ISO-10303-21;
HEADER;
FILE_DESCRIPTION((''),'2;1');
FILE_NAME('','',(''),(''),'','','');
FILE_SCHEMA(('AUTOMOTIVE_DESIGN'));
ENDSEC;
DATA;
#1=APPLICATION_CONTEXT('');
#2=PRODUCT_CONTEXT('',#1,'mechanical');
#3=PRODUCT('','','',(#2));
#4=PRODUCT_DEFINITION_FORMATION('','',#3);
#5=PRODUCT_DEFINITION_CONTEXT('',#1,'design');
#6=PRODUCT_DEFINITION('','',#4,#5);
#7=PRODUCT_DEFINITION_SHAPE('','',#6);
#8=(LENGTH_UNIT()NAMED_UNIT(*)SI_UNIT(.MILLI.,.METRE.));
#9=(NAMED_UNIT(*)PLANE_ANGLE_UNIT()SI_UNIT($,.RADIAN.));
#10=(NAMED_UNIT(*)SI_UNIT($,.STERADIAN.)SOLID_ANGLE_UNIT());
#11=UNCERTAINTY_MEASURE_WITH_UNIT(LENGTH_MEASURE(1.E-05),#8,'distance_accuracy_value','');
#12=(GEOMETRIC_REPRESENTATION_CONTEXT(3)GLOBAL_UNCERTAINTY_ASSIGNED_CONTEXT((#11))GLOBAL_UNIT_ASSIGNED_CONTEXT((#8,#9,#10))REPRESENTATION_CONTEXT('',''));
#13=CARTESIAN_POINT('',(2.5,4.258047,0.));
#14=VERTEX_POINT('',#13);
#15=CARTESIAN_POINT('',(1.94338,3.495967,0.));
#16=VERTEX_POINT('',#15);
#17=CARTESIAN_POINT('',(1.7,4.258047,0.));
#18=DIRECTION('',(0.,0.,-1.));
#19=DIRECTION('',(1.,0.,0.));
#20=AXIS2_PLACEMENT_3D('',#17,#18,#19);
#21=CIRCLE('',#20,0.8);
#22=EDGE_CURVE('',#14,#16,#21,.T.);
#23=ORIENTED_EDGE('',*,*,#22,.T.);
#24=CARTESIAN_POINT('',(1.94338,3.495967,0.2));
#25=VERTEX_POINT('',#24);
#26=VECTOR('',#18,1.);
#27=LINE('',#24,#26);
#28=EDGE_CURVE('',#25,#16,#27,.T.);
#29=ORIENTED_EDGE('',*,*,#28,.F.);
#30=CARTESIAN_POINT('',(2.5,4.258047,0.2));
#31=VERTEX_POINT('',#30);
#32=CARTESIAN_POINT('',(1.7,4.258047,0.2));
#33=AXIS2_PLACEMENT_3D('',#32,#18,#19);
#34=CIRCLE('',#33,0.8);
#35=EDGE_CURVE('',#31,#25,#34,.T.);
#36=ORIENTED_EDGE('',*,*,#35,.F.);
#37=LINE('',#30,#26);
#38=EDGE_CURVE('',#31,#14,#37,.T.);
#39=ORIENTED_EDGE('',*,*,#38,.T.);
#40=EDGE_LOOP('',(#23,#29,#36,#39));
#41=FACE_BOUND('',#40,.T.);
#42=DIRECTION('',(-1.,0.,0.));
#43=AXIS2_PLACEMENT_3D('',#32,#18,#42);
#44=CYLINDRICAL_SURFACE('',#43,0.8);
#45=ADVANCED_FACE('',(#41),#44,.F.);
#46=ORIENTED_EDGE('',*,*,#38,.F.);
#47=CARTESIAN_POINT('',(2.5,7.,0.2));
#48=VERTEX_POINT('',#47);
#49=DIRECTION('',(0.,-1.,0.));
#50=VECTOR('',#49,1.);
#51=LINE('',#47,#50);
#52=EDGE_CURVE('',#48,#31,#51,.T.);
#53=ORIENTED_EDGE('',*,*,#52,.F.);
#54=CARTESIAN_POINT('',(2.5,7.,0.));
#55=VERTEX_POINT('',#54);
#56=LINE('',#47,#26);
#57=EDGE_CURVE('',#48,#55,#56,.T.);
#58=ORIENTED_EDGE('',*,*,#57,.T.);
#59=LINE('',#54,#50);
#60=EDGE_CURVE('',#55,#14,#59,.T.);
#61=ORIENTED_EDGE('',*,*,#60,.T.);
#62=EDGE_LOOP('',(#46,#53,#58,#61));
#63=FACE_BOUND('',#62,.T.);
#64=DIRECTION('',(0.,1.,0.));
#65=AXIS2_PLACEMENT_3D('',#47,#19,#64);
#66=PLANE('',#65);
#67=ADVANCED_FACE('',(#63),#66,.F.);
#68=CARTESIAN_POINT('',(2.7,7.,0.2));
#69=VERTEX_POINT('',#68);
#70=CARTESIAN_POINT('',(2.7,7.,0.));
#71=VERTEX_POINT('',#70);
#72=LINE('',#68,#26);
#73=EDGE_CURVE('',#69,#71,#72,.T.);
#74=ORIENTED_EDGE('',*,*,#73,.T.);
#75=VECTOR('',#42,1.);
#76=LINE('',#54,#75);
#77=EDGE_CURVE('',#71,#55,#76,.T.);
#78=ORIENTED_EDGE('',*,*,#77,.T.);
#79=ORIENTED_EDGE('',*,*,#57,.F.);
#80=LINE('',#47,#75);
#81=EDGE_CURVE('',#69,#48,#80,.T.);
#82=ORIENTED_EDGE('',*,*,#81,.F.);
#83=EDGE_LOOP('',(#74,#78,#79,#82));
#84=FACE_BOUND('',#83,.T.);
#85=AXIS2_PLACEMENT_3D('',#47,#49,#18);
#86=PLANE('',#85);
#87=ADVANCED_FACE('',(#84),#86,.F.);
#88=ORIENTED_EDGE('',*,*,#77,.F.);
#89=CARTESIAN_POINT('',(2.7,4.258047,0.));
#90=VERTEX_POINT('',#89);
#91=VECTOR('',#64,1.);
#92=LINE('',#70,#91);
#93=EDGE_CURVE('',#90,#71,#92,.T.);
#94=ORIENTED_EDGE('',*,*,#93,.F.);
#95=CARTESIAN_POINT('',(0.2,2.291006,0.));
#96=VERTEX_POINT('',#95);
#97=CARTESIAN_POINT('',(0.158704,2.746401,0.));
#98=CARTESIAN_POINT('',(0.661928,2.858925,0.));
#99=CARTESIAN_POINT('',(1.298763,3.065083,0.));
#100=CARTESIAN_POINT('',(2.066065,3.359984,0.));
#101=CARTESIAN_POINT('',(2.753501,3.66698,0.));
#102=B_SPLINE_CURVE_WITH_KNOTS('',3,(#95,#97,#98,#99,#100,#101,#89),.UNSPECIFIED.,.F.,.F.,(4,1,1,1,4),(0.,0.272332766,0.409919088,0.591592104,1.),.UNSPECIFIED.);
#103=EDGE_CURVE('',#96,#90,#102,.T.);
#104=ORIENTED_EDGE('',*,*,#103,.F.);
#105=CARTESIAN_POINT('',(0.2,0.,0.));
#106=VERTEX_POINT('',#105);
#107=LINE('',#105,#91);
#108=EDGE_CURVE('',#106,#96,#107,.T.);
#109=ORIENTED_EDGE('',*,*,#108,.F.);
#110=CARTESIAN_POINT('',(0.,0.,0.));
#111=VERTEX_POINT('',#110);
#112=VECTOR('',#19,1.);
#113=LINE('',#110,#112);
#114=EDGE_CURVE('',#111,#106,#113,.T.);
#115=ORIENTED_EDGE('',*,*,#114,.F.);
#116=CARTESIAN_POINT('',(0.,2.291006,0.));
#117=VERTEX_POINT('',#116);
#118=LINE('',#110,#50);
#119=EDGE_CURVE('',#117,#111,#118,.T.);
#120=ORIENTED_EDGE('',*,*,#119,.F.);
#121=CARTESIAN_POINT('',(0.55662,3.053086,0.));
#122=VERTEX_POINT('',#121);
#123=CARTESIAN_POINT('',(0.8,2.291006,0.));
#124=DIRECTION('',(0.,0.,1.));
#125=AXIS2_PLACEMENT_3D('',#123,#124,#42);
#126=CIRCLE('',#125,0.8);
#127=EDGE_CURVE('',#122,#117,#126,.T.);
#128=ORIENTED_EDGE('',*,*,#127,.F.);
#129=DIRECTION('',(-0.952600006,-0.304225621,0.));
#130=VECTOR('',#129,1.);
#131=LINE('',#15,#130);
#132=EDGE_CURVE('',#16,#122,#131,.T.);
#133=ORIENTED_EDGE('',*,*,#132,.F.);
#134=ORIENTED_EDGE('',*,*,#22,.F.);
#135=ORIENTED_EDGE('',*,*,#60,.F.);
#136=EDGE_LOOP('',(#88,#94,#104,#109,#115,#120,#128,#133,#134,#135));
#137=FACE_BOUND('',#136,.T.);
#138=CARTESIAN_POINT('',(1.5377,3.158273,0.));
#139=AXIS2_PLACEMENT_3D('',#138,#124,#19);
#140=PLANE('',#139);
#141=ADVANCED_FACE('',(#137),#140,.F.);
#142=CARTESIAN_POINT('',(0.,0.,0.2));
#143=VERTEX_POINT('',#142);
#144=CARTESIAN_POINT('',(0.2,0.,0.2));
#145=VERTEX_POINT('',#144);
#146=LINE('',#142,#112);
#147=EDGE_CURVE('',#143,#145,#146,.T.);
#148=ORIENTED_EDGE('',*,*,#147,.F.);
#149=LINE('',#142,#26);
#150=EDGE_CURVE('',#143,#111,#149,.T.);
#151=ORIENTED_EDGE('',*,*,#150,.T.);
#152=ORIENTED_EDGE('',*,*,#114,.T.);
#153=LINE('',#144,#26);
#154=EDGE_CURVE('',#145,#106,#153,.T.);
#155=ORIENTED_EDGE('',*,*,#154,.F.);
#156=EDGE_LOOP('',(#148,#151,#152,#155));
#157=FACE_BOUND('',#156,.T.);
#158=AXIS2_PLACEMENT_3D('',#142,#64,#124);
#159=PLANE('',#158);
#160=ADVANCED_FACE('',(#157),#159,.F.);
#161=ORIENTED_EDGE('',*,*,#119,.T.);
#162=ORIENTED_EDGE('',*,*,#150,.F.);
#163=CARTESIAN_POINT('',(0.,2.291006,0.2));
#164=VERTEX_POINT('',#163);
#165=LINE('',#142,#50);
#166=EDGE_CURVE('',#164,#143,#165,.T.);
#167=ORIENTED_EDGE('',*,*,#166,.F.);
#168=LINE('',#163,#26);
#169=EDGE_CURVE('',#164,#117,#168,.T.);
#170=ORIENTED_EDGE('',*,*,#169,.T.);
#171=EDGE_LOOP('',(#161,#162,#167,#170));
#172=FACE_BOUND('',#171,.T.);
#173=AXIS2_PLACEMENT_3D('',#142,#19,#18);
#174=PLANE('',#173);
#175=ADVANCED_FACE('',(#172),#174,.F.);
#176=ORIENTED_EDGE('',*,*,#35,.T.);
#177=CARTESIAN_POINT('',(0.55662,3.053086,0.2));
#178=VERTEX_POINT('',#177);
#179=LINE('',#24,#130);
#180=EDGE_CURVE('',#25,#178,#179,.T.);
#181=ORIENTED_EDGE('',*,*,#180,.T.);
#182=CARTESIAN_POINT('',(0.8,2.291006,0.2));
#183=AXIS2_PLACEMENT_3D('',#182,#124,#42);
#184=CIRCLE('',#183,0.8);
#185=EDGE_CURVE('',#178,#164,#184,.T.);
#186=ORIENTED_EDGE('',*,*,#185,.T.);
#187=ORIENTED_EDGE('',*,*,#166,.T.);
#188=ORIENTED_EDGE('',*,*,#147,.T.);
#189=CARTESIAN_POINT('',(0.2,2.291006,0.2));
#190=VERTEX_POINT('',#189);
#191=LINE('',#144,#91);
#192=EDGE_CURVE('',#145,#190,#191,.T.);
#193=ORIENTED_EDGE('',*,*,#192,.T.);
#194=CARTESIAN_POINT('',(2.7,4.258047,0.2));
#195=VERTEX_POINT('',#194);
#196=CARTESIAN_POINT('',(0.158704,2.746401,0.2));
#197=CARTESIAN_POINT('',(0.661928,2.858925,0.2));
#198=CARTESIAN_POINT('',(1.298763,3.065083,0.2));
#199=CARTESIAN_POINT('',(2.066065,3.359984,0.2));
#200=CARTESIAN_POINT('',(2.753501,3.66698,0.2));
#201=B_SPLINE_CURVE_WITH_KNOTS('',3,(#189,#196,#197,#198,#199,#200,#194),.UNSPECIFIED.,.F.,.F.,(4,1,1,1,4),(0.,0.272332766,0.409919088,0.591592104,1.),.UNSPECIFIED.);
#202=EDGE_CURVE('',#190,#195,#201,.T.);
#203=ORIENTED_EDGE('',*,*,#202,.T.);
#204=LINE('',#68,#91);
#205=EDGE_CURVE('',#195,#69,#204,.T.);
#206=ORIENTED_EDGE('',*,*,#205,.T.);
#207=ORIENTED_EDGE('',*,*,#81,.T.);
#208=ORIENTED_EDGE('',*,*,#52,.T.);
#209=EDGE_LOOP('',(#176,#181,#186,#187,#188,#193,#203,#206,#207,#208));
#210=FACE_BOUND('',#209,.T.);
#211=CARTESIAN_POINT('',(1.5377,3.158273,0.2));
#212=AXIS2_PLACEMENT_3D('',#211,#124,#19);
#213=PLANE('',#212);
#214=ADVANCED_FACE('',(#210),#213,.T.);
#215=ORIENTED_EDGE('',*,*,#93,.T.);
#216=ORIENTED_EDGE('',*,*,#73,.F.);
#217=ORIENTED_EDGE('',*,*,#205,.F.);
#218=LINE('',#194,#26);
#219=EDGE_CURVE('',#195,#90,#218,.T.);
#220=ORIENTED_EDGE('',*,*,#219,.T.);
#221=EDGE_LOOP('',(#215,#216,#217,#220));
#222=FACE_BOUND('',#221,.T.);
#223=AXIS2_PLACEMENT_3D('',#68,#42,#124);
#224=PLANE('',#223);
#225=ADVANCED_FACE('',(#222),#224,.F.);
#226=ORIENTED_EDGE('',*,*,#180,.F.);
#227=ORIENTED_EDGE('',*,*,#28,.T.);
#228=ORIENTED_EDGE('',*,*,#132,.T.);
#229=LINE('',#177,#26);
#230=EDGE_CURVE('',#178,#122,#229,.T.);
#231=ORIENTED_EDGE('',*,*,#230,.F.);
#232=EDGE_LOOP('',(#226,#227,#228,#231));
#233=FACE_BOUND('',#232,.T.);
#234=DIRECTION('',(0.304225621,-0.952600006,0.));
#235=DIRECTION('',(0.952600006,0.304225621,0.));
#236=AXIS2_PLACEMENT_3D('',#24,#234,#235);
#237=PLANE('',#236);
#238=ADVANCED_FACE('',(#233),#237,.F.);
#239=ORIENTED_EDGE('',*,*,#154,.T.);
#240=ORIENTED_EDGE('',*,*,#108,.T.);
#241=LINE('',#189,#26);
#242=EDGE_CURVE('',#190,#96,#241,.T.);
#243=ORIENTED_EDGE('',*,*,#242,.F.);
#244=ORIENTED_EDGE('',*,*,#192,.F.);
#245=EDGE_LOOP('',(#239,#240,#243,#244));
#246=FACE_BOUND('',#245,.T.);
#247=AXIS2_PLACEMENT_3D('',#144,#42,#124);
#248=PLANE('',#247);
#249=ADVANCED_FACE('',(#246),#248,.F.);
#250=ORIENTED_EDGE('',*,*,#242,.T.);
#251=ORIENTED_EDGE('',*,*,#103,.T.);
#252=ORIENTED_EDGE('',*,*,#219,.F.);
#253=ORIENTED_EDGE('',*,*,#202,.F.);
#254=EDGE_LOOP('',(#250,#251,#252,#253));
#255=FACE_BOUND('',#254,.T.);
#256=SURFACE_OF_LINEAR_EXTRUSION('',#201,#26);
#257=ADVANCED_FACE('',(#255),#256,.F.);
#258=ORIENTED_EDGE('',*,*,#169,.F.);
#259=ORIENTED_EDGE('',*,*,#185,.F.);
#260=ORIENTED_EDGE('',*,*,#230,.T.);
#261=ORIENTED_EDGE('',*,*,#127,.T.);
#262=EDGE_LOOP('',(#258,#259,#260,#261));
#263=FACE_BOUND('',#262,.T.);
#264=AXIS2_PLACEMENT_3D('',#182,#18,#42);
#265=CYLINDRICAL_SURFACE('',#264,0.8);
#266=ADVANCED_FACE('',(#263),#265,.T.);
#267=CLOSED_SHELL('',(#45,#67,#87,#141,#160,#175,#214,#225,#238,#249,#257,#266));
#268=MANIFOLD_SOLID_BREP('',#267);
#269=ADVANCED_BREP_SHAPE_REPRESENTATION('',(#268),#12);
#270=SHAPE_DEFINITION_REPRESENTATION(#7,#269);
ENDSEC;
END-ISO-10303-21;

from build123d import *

# Parameters (mm, degrees)
RESSALTO_EXTRUS_O1_DEPTH = 0.2


with BuildPart() as part:
    # Esboço1 → Ressalto-extrusão1 (new body)
    with BuildSketch(Plane.XY):
        with BuildLine():
            Line((0, 0), (0, 2.291006443))
            ThreePointArc((0, 2.291006443), (0.153971983, 2.762862143), (0.556619504, 3.053086448))
            Line((0.556619504, 3.053086448), (1.943380496, 3.495967217))
            ThreePointArc((1.943380496, 3.495967217), (2.346028017, 3.786191523), (2.5, 4.258047222))
            Line((2.5, 4.258047222), (2.5, 7))
            Line((2.5, 7), (2.7, 7))
            Line((2.7, 7), (2.7, 4.258047222))
            add(Edge.make_bspline(
                [(0.2, 2.291006443), (0.158704205, 2.746400788), (0.661928351, 2.858924747), (1.298763247, 3.0650825), (2.066064892, 3.359983666), (2.753500887, 3.666979694), (2.7, 4.258047222)],
                knots=[0, 0, 0, 0, 0.272332766, 0.409919088, 0.591592104, 1, 1, 1, 1], degree=3))
            Line((0.2, 2.291006443), (0.2, 0))
            Line((0.2, 0), (0, 0))
        make_face()
    extrude(amount=RESSALTO_EXTRUS_O1_DEPTH)


solid = part.part
